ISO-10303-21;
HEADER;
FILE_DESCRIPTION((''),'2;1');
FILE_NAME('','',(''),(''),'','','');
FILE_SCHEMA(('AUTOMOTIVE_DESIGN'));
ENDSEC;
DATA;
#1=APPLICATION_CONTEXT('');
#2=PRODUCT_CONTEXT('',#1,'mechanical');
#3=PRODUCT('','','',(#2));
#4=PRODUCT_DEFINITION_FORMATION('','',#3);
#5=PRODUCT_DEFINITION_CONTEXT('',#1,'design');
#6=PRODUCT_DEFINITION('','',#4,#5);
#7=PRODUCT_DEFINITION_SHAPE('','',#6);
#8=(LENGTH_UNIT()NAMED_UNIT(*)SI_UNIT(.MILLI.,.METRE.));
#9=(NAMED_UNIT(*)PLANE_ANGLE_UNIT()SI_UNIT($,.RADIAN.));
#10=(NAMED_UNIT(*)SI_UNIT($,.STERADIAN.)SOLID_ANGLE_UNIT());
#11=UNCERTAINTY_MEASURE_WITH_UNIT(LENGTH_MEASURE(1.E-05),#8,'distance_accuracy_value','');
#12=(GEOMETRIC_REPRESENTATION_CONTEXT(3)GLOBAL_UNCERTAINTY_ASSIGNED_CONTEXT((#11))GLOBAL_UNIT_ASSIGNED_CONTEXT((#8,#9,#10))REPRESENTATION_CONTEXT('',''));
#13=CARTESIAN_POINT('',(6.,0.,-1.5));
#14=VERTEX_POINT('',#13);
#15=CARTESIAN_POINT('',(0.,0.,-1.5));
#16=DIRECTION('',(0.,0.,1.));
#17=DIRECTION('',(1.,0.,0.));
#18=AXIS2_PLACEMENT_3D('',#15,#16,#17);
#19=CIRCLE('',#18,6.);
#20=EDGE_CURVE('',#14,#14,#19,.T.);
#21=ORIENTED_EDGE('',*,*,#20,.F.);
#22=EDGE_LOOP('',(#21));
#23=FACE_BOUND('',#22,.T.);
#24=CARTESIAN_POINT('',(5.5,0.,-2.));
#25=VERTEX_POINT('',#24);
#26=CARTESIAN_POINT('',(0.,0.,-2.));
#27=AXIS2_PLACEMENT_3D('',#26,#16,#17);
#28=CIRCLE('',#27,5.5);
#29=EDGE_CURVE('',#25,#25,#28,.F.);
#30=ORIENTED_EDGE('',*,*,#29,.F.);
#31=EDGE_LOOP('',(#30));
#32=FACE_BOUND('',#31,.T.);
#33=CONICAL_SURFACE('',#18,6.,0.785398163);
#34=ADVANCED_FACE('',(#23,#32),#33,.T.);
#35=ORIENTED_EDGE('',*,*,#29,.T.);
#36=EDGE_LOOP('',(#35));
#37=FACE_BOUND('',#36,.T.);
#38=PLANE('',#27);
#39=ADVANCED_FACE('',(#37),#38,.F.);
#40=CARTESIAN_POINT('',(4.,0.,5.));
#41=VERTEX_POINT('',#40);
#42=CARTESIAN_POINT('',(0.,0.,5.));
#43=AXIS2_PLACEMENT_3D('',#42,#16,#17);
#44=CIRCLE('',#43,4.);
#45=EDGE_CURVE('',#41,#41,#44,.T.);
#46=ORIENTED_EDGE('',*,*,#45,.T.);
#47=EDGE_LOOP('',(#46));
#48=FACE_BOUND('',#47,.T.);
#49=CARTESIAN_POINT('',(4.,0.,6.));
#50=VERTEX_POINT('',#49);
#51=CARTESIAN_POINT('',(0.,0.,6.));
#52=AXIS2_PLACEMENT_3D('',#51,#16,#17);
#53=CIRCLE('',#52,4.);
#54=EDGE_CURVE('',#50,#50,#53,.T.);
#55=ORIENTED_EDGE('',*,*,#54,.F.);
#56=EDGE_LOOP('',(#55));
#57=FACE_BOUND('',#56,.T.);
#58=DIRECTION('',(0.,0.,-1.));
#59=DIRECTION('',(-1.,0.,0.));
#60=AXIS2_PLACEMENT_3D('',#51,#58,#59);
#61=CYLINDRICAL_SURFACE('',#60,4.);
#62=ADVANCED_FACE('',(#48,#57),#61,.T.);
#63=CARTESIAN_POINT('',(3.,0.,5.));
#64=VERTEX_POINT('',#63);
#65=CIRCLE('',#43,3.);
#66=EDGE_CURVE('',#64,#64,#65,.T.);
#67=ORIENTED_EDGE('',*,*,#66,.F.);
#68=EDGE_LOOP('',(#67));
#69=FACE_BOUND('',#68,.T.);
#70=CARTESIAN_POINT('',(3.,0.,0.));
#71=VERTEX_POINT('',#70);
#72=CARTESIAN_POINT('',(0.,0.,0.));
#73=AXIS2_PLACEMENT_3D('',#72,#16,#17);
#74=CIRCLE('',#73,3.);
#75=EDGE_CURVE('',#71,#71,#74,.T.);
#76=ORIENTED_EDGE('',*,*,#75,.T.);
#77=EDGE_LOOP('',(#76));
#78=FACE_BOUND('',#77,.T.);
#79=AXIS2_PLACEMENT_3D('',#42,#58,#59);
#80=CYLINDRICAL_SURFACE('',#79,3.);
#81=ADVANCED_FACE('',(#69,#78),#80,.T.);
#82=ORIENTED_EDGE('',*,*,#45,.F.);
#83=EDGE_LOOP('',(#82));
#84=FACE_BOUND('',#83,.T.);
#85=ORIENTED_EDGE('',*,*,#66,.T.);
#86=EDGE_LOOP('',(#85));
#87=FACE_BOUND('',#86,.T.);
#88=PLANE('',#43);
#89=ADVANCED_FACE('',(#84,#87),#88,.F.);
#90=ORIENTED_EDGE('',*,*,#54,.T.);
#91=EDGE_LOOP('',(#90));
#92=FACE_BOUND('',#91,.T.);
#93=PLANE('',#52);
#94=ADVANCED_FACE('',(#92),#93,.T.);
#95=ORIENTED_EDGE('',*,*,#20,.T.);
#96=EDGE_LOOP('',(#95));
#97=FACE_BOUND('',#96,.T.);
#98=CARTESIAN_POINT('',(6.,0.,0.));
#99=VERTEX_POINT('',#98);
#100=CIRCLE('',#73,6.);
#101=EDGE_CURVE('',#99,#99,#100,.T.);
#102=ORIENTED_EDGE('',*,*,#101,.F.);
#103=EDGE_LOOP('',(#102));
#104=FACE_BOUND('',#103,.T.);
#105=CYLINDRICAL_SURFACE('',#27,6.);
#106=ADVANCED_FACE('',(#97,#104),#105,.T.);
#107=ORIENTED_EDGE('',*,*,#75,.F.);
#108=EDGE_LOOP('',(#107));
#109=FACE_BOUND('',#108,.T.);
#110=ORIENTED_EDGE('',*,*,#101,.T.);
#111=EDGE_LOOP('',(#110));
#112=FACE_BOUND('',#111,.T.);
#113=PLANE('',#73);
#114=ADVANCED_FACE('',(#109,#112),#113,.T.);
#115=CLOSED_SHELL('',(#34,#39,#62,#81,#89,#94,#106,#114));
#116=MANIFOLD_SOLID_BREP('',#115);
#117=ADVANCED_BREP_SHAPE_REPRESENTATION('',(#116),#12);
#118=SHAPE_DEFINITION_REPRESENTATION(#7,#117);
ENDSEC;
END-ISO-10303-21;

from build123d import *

# Parameters (mm, degrees)
SKETCH1_R           = 3
BOSS_EXTRUDE1_DEPTH = 5
BOSS_EXTRUDE2_START = 5
SKETCH1_3_R         = 4
SKETCH1_3_R_2       = 3
BOSS_EXTRUDE2_DEPTH = 1
BOSS_EXTRUDE3_START = -2
SKETCH1_4_R         = 6
SKETCH1_4_R_2       = 4
SKETCH1_4_R_3       = 3
BOSS_EXTRUDE3_DEPTH = 2
CHAMFER1_SIZE       = 0.5


with BuildPart() as part:
    # Sketch1 → Boss-Extrude1 (new body)
    with BuildSketch(Plane.XY):
        Circle(SKETCH1_R)
    extrude(amount=BOSS_EXTRUDE1_DEPTH)

    # Sketch1<3> → Boss-Extrude2 (add)
    # profile 1 of 2: a face of its own
    with BuildSketch(Plane.XY.offset(BOSS_EXTRUDE2_START)):
        Circle(SKETCH1_3_R)
        Circle(SKETCH1_3_R_2, mode=Mode.SUBTRACT)
    # profile 2 of 2: a face of its own
    with BuildSketch(Plane.XY.offset(BOSS_EXTRUDE2_START)):
        Circle(SKETCH1_3_R_2)
    extrude(amount=BOSS_EXTRUDE2_DEPTH)

    # Sketch1<4> → Boss-Extrude3 (add)
    # profile 1 of 3: a face of its own
    with BuildSketch(Plane.XY.offset(BOSS_EXTRUDE3_START)):
        Circle(SKETCH1_4_R)
        Circle(SKETCH1_4_R_2, mode=Mode.SUBTRACT)
    # profile 2 of 3: a face of its own
    with BuildSketch(Plane.XY.offset(BOSS_EXTRUDE3_START)):
        Circle(SKETCH1_4_R_2)
        Circle(SKETCH1_4_R_3, mode=Mode.SUBTRACT)
    # profile 3 of 3: a face of its own
    with BuildSketch(Plane.XY.offset(BOSS_EXTRUDE3_START)):
        Circle(SKETCH1_4_R_3)
    extrude(amount=BOSS_EXTRUDE3_DEPTH)

    # Chamfer1
    chamfer1_edges = [part.edges().sort_by_distance(p)[0] for p in [
        (-6, 0, -2),
    ]]
    chamfer(chamfer1_edges, length=CHAMFER1_SIZE)


solid = part.part
